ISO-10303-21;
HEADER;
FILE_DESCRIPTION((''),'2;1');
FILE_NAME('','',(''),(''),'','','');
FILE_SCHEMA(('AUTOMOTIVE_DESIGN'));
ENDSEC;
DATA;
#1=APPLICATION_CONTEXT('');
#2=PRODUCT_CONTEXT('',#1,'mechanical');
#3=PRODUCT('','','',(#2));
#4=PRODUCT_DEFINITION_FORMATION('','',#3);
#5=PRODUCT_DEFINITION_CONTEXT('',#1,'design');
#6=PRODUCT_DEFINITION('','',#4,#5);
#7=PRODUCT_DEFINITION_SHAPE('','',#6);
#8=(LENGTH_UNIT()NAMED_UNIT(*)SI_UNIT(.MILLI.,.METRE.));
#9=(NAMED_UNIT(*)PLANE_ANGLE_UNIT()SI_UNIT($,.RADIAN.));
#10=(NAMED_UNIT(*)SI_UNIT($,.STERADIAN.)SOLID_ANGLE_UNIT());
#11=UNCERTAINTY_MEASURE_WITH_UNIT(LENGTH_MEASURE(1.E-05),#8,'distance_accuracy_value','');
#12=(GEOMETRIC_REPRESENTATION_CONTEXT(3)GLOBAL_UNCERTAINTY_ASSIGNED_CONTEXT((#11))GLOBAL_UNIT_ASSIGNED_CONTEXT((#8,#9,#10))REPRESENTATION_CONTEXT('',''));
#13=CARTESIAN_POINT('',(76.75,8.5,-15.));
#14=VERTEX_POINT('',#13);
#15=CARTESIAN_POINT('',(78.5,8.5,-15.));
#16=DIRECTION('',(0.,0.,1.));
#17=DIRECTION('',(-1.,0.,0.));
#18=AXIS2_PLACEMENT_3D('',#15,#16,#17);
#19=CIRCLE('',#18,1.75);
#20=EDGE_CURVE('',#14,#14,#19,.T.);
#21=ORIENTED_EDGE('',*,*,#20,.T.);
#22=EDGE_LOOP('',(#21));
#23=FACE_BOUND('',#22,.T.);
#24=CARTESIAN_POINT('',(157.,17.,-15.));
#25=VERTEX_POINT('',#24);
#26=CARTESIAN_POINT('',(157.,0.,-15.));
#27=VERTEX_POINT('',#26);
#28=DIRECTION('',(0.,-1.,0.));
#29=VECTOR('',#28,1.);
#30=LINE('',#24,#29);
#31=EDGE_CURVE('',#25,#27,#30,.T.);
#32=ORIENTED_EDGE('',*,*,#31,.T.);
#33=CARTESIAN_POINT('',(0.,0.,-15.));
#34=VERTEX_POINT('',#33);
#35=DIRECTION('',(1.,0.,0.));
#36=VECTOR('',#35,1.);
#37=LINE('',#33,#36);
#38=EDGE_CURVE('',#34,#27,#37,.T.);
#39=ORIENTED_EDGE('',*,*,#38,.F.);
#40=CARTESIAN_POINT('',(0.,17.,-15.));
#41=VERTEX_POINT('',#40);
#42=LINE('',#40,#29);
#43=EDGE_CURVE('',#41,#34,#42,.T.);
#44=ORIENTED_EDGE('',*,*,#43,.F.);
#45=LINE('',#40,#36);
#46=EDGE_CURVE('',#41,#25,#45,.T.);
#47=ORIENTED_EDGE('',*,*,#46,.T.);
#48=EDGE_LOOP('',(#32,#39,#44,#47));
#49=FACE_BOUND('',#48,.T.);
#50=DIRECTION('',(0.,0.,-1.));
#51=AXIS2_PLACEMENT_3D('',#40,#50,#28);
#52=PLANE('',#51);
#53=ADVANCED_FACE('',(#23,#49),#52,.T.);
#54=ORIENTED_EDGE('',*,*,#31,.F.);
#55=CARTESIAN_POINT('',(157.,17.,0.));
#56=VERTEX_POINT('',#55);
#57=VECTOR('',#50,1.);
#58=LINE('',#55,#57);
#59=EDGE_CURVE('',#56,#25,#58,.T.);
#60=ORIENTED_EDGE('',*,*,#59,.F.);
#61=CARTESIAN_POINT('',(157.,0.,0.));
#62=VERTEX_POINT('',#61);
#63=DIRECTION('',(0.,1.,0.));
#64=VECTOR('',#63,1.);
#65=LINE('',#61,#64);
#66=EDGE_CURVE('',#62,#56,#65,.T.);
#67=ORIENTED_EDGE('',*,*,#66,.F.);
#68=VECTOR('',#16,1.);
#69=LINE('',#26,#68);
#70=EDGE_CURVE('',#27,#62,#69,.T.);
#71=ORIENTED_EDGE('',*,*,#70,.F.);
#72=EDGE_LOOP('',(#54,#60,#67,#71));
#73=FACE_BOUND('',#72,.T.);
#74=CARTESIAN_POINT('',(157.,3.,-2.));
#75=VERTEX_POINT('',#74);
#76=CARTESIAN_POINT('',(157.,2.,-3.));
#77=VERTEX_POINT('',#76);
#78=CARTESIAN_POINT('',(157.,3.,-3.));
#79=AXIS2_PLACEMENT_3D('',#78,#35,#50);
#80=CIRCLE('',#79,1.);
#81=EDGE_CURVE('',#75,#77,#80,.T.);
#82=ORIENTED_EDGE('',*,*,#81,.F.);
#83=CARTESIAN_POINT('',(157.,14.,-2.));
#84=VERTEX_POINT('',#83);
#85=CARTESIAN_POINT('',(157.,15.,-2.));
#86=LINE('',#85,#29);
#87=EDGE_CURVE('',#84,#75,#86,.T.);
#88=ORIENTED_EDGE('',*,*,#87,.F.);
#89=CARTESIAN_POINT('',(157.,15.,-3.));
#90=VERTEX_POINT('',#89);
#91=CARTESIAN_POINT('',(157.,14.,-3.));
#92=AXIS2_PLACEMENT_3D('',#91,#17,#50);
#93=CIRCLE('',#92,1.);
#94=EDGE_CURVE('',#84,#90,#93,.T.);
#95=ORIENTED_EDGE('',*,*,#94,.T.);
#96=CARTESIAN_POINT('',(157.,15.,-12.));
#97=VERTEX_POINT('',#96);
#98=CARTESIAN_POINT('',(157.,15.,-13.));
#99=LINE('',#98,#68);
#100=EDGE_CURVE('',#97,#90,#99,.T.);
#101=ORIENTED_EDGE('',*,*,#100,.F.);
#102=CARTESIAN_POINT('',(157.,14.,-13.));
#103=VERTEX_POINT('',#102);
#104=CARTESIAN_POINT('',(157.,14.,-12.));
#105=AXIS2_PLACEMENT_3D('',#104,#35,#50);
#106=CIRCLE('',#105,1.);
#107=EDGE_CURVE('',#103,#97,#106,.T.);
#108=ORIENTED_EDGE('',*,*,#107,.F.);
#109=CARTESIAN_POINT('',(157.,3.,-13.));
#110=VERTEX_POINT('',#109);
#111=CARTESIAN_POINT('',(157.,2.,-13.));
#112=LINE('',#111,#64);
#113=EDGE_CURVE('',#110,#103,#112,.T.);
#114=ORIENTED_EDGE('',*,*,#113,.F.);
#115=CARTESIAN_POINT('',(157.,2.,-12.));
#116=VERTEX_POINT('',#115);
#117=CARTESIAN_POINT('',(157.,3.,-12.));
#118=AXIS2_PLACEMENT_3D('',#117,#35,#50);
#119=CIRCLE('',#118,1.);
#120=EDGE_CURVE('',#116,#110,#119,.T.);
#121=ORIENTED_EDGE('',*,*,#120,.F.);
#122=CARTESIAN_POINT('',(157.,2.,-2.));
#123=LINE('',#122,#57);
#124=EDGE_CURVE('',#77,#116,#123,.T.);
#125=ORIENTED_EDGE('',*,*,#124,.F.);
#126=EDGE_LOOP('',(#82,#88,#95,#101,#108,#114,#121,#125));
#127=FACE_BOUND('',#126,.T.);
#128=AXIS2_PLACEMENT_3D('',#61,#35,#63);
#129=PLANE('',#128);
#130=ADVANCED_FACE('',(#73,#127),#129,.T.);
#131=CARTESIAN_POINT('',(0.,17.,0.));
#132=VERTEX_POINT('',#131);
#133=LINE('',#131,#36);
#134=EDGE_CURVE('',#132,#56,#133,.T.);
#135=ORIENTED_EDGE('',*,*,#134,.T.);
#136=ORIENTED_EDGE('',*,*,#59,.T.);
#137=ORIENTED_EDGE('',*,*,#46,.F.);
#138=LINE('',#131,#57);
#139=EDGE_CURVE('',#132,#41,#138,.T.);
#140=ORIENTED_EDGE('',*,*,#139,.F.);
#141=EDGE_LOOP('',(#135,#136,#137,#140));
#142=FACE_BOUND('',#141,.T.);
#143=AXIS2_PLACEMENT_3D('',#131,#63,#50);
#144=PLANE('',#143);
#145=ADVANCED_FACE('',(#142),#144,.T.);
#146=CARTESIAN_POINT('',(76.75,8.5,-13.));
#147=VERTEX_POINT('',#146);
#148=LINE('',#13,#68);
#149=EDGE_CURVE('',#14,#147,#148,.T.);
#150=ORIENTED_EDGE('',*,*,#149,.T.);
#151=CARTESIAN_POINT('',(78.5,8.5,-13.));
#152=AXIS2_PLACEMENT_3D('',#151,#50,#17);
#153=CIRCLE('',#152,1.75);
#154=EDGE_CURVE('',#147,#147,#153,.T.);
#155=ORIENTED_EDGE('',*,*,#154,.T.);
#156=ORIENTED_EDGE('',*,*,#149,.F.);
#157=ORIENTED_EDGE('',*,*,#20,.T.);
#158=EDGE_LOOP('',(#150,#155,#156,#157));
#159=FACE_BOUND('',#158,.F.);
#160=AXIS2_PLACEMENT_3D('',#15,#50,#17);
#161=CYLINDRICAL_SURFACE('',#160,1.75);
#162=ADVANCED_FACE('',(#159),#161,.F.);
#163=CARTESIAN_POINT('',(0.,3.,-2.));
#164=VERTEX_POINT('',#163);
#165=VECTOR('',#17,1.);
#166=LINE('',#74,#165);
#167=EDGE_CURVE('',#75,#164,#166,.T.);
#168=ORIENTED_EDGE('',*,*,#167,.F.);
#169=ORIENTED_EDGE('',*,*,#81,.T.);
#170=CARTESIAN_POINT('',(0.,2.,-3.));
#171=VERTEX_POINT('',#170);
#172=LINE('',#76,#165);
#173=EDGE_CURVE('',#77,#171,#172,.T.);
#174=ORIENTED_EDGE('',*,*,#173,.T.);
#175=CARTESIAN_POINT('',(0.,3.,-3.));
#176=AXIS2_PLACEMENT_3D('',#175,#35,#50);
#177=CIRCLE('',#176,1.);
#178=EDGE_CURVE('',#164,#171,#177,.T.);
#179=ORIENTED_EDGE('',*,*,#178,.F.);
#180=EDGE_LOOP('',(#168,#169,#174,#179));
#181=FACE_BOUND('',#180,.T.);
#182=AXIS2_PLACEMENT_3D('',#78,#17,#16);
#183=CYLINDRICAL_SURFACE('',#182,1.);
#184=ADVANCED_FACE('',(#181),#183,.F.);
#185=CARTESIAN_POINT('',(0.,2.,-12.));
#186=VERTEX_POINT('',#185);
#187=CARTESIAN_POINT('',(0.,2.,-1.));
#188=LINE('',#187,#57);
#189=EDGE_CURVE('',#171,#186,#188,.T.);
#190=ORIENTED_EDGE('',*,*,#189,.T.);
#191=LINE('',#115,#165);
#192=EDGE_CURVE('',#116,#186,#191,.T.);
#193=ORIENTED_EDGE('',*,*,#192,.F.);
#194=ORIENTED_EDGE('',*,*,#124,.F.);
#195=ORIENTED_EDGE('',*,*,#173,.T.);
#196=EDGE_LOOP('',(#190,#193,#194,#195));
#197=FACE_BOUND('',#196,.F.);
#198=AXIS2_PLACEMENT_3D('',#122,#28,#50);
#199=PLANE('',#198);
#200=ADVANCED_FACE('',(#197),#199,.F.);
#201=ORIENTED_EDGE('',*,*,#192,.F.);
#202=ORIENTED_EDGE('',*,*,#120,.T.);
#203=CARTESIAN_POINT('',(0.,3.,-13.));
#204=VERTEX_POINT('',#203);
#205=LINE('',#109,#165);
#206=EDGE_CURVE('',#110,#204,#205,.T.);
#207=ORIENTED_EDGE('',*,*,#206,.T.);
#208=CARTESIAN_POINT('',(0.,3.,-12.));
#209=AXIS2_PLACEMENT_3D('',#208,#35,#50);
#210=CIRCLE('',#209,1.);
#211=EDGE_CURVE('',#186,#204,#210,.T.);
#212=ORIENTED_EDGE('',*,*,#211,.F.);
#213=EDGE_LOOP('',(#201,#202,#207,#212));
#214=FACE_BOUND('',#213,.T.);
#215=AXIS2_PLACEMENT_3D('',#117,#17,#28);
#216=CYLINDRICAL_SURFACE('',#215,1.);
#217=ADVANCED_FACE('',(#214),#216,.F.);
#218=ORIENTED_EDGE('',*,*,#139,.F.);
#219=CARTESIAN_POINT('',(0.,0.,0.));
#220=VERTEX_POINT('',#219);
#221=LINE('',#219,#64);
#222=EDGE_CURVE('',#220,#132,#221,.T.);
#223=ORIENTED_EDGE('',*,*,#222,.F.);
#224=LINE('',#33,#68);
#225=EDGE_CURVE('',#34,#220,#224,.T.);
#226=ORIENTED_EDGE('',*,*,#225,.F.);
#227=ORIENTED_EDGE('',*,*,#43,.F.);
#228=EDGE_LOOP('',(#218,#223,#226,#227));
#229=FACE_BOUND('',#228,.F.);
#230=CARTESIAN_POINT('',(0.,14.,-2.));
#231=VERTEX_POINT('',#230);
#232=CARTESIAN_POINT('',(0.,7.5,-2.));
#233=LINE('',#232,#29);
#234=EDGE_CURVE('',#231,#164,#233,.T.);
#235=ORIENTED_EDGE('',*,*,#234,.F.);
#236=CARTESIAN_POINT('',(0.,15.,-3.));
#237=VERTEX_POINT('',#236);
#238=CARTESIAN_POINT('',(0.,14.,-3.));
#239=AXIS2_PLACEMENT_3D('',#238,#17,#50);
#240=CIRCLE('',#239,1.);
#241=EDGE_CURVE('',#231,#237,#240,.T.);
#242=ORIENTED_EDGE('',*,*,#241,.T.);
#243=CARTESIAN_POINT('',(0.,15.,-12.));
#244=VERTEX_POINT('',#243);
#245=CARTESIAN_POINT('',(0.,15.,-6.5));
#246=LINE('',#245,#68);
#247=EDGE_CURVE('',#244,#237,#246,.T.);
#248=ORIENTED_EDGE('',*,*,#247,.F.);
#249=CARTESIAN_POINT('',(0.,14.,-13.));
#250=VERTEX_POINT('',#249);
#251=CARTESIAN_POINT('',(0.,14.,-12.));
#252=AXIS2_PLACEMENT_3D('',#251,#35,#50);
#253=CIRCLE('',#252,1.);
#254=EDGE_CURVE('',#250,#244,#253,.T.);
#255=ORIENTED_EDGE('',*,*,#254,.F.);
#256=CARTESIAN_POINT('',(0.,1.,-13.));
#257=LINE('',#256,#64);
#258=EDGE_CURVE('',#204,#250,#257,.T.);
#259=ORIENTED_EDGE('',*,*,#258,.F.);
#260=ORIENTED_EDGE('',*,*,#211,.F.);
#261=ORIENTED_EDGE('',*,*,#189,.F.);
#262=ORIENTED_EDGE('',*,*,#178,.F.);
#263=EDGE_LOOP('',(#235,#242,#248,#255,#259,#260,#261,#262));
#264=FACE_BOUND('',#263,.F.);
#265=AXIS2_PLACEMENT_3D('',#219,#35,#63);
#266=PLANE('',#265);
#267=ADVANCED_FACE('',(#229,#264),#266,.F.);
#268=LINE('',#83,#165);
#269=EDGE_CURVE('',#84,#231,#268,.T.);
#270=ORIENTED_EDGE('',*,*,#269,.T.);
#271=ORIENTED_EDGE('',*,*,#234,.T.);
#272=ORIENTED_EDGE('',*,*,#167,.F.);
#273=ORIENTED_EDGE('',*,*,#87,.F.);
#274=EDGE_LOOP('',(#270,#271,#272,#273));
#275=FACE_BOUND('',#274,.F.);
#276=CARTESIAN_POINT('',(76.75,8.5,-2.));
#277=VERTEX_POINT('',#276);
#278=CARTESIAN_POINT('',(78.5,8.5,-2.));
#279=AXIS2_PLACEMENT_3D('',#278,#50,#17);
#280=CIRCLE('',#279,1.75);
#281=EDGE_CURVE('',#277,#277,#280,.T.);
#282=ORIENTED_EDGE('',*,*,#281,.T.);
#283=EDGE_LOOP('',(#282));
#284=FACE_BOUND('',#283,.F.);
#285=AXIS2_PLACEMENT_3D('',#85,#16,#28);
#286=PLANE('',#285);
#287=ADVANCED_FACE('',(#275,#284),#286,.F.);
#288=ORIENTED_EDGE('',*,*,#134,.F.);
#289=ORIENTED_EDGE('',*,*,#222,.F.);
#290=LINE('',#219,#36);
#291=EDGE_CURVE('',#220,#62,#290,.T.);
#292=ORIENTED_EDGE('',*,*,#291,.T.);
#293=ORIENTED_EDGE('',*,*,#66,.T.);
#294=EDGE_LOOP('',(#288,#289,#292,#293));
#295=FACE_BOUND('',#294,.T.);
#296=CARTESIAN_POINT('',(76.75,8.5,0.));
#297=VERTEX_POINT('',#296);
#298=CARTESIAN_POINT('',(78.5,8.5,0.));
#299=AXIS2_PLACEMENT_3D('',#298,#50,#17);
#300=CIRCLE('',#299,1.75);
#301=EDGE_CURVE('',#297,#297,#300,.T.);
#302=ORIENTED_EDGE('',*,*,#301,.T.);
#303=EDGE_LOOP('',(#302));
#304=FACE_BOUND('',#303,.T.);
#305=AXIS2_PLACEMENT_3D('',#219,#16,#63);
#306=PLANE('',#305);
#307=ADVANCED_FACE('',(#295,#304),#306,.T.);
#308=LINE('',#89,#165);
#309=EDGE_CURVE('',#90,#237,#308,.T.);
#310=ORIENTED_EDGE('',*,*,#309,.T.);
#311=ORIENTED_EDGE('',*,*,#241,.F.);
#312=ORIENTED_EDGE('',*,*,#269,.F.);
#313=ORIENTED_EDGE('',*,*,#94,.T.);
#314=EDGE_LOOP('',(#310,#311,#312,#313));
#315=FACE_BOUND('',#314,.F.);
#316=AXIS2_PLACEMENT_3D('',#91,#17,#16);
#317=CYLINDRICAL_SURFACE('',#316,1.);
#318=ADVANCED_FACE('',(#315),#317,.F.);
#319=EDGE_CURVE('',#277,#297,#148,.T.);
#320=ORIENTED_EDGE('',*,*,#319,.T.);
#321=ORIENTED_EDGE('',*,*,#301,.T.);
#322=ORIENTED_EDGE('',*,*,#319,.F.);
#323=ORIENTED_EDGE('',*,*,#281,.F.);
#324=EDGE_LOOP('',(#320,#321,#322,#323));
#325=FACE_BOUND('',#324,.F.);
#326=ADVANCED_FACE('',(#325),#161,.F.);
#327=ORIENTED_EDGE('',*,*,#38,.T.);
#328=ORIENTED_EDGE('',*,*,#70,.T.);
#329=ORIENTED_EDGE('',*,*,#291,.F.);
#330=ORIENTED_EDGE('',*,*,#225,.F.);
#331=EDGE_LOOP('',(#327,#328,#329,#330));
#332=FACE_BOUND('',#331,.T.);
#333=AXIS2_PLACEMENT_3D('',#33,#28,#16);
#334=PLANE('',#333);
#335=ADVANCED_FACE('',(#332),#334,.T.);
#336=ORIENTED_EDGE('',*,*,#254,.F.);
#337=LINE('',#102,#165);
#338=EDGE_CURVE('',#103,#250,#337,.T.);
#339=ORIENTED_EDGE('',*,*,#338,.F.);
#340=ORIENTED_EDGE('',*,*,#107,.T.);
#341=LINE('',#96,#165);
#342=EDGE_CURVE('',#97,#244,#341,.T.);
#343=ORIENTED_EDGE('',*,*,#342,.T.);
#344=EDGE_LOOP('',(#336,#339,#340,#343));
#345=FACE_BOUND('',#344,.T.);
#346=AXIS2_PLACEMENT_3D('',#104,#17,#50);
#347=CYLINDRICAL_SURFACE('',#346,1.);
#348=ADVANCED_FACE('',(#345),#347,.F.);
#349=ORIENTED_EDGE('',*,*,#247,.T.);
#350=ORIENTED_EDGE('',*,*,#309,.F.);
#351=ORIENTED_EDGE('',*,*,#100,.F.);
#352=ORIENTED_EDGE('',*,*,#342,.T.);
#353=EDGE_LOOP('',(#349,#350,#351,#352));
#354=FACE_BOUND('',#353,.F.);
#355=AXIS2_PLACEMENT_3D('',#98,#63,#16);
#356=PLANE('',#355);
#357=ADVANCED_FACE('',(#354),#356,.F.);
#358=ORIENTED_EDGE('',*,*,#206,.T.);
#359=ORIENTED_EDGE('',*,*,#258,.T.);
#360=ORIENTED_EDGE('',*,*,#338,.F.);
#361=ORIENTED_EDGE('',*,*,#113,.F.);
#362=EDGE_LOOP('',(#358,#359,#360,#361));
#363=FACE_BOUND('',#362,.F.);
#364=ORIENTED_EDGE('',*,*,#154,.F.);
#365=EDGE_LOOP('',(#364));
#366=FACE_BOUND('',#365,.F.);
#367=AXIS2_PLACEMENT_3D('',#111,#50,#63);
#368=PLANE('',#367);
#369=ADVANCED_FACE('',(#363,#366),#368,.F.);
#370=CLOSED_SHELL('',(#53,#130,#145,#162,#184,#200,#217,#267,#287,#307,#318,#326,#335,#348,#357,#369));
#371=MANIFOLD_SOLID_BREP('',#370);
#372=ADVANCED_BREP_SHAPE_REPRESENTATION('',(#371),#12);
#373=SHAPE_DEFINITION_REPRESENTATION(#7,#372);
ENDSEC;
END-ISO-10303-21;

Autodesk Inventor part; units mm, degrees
ref_plane "YZ Plane" through (0, 0, 0) normal (1, 0, 0) x (0, 1, 0)
ref_plane "XZ Plane" through (0, 0, 0) normal (0, 1, 0) x (-1, 0, 0)
ref_plane "XY Plane" through (0, 0, 0) normal (0, 0, 1) x (1, 0, 0)
sketch "Sketch2" plane through (0, 0, 0) normal (1, 0, 0) x (0, 1, 0)
  line L0 (0, 0) -> (17, 0)
  line L1 (17, 0) -> (17, -15)
  line L2 (17, -15) -> (0, -15)
  line L3 (0, -15) -> (0, 0)
  dimension "d4" = 17
  dimension "d5" = 15
extrude "Extrusion2" add sketch "Sketch2" along normal blind 157
sketch "Sketch3" plane through (157, 0, 0) normal (1, 0, 0) x (0, 0, -1)
  line L0 (0, 17) -> (0, 0) projected
  line L1 (0, 0) -> (15, 0) projected
  line L2 (15, 0) -> (15, 17) projected
  line L3 (2, 2) -> (13, 2)
  line L4 (13, 2) -> (13, 15)
  line L5 (13, 15) -> (2, 15)
  line L6 (2, 15) -> (2, 2)
  line L7 (2, 2) -> (13, 15) construction
  line L8 (13, 2) -> (2, 15) construction
  point P0 (7.5, 8.5)
  dimension "d9" = 11
  dimension "d10" = 13
extrude "Extrusion3" cut sketch "Sketch3" against normal through all
sketch "Sketch5" plane through (0, 0, -15) normal (0, 0, -1) x (-1, 0, 0)
  line L0 (0, 0) -> (-157, 0) projected
  line L1 (-157, 0) -> (0, 17)
  line L2 (-157, 0) -> (-157, 17) projected
  line L3 (0, 0) -> (-157, 17)
  circle A0 centre (-78.5, 8.5) radius 1.75
  dimension "d13" = 3.5
extrude "Extrusion4" cut sketch "Sketch5" against normal through all contours A0 L1 L3 | L3 L1 A0 | A0 L3 L1 | L3 A0 L1
fillet "Fillet1" radius 1 4 edges at (78.5, 2, -13) (78.5, 2, -2) (78.5, 15, -2) (78.5, 15, -13)
properties part number "caja perfil"
